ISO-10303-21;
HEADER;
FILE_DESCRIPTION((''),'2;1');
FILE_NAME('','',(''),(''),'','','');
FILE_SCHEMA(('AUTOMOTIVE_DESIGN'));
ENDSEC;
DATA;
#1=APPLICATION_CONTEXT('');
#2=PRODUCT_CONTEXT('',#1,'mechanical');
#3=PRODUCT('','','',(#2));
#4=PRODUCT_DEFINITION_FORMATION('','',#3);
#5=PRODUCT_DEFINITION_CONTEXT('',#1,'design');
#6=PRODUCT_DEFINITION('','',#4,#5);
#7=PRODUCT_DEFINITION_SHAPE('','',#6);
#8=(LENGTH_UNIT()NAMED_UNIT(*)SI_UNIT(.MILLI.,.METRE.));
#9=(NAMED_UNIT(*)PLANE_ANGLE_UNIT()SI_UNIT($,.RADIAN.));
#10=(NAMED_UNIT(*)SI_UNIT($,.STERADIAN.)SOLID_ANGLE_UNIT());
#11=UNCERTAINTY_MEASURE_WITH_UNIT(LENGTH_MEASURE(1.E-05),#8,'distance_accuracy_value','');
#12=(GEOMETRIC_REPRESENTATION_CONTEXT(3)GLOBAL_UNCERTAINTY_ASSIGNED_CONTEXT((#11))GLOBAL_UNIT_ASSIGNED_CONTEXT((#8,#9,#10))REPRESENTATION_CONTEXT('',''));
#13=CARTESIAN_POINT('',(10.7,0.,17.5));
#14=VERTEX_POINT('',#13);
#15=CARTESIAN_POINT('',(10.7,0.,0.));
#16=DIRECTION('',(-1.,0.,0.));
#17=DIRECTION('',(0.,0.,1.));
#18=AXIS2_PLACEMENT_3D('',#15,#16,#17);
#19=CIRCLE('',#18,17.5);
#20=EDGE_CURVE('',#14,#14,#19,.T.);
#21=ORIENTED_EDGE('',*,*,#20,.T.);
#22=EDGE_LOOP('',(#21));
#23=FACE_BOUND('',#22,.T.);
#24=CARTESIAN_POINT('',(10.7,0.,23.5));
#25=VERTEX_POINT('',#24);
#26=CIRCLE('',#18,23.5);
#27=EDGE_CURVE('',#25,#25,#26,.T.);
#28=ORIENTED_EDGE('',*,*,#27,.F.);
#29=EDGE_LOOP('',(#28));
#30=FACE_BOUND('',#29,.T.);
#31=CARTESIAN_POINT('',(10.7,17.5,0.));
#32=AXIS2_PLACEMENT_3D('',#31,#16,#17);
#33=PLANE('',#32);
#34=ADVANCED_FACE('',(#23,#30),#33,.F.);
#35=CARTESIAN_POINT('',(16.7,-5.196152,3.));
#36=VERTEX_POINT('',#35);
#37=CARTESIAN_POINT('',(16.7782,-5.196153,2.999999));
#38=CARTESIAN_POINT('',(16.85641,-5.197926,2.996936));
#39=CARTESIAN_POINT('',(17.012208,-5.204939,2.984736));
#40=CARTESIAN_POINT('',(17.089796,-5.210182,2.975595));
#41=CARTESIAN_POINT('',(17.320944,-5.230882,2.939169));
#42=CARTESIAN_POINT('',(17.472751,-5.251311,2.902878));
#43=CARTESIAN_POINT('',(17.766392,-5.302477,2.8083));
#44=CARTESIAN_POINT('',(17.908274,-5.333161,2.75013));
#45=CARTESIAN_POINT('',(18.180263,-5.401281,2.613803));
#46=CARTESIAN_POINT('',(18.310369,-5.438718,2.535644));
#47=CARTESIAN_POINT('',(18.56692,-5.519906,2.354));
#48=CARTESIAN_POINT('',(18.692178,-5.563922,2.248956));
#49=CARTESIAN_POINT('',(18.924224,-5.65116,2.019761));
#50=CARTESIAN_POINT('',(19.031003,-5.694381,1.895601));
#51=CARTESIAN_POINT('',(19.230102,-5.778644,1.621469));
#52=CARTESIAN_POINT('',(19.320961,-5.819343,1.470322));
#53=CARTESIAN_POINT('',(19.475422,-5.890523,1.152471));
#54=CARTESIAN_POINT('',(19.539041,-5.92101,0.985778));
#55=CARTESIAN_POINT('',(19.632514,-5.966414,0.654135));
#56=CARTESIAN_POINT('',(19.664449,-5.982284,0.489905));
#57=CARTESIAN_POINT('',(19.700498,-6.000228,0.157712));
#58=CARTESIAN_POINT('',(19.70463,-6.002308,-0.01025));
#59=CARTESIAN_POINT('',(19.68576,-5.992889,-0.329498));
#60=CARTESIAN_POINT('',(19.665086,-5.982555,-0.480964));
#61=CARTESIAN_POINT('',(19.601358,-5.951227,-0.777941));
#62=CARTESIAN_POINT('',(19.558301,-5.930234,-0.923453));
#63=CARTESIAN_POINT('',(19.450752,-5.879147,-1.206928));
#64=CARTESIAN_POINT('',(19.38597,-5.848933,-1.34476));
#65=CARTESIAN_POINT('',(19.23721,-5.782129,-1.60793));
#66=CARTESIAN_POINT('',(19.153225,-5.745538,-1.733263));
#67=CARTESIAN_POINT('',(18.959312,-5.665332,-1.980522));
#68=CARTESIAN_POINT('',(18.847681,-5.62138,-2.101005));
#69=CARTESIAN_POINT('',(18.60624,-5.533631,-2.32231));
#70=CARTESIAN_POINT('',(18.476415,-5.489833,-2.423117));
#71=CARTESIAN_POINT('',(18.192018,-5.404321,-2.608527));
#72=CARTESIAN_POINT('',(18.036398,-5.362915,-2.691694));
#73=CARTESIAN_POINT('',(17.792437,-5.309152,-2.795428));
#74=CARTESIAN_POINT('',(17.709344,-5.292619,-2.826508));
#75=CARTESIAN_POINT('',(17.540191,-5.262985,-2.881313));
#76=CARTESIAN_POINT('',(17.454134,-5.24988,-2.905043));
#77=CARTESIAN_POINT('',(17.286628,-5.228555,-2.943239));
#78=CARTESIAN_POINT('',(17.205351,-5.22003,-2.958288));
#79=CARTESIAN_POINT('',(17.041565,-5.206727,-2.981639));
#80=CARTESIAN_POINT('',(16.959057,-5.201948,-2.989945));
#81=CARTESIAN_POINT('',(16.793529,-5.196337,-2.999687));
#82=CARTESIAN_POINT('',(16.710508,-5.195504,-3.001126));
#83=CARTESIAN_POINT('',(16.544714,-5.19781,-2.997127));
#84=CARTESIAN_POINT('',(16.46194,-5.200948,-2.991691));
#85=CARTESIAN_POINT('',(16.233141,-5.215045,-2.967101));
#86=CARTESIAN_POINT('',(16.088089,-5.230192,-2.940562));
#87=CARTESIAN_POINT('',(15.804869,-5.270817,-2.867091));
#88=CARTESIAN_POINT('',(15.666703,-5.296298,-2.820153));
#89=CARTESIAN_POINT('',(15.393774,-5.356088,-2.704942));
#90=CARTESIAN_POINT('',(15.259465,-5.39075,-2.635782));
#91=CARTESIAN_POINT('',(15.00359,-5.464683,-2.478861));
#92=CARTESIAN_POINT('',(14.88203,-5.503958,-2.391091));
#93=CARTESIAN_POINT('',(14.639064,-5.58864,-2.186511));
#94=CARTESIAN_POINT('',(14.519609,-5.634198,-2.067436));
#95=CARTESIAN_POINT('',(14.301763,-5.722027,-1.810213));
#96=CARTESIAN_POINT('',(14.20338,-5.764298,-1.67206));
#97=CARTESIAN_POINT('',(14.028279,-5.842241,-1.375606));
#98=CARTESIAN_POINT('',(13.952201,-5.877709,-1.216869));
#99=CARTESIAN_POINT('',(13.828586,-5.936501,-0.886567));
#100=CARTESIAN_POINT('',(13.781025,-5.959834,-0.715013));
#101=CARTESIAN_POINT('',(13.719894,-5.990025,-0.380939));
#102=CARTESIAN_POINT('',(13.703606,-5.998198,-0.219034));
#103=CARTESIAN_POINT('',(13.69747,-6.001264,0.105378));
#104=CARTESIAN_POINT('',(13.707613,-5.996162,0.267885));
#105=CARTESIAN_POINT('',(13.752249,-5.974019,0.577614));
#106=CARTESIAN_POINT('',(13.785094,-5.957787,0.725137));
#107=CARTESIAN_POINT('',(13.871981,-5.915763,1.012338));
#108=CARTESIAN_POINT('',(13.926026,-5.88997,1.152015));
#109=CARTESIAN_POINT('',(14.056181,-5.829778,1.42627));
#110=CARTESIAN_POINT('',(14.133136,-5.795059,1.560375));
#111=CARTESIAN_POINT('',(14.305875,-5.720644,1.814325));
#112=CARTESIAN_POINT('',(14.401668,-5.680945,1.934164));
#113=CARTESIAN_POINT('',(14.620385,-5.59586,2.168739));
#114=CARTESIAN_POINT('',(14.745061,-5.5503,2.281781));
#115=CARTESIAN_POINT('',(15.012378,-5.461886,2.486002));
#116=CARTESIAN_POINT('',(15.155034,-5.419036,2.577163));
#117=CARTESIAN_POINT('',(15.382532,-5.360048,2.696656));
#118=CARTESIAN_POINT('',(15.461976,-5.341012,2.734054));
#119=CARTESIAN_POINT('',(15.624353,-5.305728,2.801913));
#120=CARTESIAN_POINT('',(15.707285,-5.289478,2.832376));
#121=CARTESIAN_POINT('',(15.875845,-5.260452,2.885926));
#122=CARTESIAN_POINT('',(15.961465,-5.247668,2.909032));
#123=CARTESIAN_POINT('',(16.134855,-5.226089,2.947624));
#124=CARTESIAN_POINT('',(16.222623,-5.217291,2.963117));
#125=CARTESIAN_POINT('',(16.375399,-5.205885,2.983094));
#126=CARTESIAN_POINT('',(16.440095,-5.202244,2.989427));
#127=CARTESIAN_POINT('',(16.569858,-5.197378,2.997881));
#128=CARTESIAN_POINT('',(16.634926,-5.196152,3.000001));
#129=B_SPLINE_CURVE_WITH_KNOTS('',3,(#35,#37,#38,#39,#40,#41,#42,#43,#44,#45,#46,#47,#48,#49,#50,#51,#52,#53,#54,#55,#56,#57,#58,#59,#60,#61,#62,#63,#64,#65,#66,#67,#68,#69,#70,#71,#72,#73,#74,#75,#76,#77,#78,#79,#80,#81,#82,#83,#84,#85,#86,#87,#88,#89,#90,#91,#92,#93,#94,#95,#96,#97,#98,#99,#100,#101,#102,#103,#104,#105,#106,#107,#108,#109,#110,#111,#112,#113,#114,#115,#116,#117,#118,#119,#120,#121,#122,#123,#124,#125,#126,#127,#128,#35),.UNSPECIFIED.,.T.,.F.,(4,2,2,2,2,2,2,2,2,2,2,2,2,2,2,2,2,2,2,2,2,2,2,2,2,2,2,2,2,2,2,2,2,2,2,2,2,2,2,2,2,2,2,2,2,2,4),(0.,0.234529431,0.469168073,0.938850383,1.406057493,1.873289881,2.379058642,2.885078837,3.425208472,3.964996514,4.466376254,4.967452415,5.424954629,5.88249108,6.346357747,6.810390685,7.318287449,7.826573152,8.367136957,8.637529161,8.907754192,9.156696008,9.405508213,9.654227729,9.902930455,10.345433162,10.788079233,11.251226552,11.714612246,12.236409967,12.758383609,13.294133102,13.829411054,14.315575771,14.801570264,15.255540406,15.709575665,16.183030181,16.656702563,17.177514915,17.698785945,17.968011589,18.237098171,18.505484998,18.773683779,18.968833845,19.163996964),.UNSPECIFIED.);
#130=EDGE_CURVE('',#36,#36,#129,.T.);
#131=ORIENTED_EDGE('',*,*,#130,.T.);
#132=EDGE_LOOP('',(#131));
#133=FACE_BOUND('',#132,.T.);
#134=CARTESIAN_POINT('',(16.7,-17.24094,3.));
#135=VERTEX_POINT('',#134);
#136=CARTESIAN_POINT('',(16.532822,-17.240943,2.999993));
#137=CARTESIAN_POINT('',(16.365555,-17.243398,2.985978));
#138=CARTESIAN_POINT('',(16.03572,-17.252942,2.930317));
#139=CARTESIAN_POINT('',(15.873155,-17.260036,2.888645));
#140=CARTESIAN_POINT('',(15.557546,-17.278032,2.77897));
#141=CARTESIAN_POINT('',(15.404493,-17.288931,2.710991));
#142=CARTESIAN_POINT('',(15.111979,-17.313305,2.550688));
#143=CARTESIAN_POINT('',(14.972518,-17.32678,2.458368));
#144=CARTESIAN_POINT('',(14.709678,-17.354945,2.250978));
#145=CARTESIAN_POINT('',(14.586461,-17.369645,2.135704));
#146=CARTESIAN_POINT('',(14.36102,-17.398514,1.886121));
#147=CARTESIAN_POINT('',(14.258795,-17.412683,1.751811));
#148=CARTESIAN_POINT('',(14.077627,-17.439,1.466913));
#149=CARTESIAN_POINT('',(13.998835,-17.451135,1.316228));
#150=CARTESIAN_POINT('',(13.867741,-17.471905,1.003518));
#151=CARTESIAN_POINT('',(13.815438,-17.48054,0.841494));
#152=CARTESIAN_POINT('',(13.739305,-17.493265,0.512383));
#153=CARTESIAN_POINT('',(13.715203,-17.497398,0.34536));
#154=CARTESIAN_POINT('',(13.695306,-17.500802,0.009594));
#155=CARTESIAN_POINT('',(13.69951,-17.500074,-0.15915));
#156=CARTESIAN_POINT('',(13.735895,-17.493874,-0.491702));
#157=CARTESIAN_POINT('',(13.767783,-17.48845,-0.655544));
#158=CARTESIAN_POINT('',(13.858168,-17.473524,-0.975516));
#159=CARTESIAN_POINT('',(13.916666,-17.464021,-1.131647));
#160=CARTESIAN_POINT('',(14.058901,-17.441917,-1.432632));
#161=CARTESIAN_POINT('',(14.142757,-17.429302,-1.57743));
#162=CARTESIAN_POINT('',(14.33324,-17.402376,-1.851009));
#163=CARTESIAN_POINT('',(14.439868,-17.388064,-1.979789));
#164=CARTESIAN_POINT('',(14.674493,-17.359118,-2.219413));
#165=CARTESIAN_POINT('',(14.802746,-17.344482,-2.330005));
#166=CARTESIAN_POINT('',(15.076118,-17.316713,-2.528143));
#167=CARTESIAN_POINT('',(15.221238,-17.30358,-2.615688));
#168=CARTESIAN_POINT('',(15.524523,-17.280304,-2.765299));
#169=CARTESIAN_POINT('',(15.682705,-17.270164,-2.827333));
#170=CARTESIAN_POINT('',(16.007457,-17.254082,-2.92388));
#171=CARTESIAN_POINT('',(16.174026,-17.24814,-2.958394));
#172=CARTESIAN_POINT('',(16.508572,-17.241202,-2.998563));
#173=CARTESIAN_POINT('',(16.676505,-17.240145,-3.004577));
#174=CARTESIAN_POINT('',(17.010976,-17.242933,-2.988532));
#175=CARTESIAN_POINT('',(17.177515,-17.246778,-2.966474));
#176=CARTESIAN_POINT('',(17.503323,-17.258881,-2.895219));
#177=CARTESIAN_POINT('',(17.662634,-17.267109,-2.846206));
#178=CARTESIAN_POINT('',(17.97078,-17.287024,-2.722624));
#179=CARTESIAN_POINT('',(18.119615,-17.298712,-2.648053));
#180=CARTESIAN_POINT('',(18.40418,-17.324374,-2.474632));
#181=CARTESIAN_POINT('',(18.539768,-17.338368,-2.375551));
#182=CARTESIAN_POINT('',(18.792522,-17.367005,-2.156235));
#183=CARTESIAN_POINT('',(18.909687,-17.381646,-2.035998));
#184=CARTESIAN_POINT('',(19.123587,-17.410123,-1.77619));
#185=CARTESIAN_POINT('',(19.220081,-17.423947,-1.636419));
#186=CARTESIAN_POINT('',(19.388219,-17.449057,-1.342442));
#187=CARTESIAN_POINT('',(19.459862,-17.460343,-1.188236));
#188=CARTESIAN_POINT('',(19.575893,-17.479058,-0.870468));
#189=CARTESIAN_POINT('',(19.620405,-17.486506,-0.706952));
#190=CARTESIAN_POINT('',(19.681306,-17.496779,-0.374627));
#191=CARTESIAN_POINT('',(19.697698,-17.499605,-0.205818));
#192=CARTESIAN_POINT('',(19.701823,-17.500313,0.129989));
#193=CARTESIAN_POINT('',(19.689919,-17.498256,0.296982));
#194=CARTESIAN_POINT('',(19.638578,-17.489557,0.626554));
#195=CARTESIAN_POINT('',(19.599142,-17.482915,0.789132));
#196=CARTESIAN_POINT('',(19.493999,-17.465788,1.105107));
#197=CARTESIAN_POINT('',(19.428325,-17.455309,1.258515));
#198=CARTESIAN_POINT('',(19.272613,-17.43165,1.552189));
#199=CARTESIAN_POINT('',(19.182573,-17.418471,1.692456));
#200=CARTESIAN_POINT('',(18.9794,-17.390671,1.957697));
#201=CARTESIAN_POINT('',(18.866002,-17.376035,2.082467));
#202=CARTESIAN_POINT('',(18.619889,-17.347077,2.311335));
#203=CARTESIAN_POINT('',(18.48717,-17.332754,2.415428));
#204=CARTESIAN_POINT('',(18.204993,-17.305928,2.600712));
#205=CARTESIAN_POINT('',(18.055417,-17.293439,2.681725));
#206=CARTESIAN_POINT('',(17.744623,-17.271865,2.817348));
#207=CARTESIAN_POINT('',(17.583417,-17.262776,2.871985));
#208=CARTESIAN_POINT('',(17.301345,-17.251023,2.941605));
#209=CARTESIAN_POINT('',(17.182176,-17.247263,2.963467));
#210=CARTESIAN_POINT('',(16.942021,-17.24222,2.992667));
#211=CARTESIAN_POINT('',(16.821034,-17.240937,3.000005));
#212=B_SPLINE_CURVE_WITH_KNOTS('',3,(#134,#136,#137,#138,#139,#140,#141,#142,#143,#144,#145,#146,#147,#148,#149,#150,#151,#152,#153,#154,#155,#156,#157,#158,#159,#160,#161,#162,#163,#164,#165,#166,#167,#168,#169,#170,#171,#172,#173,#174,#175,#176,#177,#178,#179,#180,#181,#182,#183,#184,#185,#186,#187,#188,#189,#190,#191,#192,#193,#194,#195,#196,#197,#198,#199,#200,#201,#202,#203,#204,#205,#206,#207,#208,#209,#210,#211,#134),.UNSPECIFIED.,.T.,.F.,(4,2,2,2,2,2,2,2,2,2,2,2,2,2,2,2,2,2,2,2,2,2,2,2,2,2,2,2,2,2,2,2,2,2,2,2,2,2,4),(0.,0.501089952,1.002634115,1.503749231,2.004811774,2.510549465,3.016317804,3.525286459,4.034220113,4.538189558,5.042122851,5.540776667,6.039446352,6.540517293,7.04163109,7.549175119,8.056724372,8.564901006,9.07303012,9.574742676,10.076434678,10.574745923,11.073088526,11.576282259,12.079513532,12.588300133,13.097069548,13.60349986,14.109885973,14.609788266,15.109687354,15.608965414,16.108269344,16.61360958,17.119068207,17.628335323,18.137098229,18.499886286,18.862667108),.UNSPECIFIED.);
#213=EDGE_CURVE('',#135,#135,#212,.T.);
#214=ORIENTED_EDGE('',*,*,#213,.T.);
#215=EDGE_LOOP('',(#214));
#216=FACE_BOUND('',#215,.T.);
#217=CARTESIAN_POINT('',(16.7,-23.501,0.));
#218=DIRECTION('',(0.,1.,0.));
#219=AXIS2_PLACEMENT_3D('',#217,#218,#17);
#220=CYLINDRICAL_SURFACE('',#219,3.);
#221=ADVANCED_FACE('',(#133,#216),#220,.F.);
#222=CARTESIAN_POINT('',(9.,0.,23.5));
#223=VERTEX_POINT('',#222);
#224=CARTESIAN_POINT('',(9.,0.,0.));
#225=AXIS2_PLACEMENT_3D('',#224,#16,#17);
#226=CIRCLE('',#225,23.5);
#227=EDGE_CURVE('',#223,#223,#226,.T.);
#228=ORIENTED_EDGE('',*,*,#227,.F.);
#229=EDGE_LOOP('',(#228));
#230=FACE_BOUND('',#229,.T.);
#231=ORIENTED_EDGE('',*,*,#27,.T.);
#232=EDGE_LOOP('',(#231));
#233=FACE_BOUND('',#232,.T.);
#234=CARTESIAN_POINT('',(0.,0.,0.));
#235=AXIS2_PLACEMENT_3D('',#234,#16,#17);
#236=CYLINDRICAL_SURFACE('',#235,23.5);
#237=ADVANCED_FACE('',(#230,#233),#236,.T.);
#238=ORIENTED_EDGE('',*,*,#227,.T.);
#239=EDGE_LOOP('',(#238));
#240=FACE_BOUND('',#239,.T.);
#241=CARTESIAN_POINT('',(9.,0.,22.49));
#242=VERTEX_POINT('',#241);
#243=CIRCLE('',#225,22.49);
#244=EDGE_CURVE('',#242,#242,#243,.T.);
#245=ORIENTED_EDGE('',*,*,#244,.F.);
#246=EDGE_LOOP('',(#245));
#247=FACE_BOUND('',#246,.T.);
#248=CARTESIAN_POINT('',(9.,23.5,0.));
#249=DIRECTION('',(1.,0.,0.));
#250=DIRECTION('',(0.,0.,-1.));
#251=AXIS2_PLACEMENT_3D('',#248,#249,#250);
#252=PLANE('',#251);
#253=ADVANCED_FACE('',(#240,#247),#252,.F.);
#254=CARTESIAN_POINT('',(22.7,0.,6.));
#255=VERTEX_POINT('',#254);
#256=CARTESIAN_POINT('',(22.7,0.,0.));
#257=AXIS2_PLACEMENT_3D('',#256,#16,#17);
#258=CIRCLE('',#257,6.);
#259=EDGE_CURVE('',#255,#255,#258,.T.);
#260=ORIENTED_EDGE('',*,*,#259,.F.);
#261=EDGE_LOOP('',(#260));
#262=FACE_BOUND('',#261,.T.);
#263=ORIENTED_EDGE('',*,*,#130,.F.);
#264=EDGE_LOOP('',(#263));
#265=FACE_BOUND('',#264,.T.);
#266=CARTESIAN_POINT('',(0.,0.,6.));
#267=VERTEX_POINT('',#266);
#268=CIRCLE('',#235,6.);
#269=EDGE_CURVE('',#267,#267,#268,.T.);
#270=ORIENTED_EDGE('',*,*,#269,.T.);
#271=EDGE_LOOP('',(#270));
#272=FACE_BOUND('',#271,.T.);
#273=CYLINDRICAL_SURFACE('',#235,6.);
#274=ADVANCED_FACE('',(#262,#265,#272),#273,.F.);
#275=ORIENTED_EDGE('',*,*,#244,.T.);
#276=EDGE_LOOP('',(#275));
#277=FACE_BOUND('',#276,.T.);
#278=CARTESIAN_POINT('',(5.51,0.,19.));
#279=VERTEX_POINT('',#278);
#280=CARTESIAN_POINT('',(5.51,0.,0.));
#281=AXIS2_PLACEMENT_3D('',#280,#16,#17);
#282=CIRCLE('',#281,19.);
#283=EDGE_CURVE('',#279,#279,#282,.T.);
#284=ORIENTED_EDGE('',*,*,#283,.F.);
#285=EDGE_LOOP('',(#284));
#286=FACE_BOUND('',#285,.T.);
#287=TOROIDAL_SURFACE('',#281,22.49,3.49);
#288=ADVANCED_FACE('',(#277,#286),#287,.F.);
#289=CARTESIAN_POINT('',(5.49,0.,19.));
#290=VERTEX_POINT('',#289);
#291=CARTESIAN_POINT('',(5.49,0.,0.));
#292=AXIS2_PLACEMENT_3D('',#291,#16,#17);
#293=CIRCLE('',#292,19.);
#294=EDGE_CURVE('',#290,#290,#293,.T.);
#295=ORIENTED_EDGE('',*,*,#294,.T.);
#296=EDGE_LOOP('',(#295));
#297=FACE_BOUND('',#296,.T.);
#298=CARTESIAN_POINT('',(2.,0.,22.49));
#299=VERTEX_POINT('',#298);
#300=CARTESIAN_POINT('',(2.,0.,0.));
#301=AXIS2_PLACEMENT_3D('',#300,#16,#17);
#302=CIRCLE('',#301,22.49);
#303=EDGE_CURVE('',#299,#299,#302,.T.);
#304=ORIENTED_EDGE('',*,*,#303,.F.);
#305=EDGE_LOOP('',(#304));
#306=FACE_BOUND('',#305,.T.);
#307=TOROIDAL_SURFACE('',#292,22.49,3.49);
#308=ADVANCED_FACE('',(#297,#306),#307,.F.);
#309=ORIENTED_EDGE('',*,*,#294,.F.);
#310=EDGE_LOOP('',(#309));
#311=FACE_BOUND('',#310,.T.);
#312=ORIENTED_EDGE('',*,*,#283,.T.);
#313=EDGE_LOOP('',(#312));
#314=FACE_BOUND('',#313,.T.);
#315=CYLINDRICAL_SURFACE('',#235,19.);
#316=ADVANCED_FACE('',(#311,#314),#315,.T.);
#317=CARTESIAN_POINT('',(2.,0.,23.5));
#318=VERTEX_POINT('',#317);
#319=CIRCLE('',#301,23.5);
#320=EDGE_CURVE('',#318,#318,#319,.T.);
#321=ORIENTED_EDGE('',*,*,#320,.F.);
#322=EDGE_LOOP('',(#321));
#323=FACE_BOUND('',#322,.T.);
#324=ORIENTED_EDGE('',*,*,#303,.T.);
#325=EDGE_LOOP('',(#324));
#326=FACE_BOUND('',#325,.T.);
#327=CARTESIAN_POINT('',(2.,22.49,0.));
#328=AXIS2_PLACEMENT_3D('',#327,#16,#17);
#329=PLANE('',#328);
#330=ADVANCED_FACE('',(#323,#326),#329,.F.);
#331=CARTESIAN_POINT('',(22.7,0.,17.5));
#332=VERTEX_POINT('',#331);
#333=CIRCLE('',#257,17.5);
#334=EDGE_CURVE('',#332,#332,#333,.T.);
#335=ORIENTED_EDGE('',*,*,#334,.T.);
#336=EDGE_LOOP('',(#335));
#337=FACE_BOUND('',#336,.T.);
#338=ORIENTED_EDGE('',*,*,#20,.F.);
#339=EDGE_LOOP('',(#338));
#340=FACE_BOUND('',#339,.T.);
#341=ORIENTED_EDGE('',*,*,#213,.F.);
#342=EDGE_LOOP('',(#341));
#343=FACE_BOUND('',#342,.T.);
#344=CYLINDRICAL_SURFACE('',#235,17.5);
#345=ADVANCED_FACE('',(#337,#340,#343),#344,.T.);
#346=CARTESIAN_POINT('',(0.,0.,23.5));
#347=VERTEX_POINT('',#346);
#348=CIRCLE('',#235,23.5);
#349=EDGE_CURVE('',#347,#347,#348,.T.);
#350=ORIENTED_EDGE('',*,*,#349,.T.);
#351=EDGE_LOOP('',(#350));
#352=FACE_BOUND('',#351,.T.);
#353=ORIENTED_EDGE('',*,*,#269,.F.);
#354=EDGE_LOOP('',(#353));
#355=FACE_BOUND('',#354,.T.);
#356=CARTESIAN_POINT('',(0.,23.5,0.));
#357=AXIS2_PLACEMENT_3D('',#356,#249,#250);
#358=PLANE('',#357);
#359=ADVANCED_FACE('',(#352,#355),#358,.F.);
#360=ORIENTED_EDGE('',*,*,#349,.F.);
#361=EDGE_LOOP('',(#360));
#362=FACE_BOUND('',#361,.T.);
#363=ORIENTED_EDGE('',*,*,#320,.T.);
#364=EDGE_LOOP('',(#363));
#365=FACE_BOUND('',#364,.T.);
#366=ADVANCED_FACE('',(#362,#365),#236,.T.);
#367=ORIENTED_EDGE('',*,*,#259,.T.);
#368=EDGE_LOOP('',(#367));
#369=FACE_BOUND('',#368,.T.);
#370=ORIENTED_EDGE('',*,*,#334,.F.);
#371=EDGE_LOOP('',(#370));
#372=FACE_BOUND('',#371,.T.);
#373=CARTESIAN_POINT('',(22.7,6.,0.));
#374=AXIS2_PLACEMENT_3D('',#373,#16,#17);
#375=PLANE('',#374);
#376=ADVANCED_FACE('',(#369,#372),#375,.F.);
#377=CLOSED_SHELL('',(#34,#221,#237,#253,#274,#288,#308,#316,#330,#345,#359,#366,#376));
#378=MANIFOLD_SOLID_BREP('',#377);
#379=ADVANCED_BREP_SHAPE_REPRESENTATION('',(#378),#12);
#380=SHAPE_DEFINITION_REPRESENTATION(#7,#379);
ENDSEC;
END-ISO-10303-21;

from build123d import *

# Parameters (mm, degrees)
CUT_EXTRUDE_1_REACH      = 42.247
CUT_EXTRUDE_1_END_RADIUS = 17.5
SKETCH_2_R               = 3


with BuildPart() as part:
    # Sketch 258 → Повернуть1 (revolve)
    with BuildSketch(Plane.XY, mode=Mode.PRIVATE) as revolve_1_sk:
        with BuildLine():
            Line((0, 6), (22.7, 6))
            Line((22.7, 6), (22.7, 17.5))
            Line((22.7, 17.5), (10.7, 17.5))
            Line((10.7, 17.5), (10.7, 23.5))
            Line((10.7, 23.5), (9, 23.5))
            Line((9, 23.5), (9, 22.49))
            ThreePointArc((9, 22.49), (7.977802666, 20.022197334), (5.51, 19))
            Line((5.51, 19), (5.49, 19))
            ThreePointArc((5.49, 19), (3.022197334, 20.022197334), (2, 22.49))
            Line((2, 22.49), (2, 23.5))
            Line((2, 23.5), (0, 23.5))
            Line((0, 23.5), (0, 6))
        make_face()
    revolve(revolve_1_sk.sketch.rotate(Axis((0, 0, 0), (1, 0, 0)), 90), axis=Axis((0, 0, 0), (1, 0, 0)))

    # Вырез-Вытянуть1: up to this cylinder (the profile starts inside it)
    cut_extrude_1_end = Plane(origin=(16.7, 0, 0), z_dir=(-1, 0, 0)) * Cylinder(CUT_EXTRUDE_1_END_RADIUS, 120.494, mode=Mode.PRIVATE)
    # Эскиз2 → Вырез-Вытянуть1 (cut, up to the surface)
    with BuildSketch(Plane(origin=(0, 0, 0), x_dir=(1, 0, 0), z_dir=(0, 1, 0)), mode=Mode.PRIVATE) as cut_extrude_1_sk1:
        with Locations(Location((16.7, 0, 0), (0, 0, 270))):
            Circle(SKETCH_2_R)
    cut_extrude_1_tool1 = extrude(cut_extrude_1_sk1.sketch, amount=-CUT_EXTRUDE_1_REACH, mode=Mode.PRIVATE) & cut_extrude_1_end
    add(cut_extrude_1_tool1.solids().sort_by_distance((16.7, 0, 0))[0], mode=Mode.SUBTRACT)


solid = part.part
